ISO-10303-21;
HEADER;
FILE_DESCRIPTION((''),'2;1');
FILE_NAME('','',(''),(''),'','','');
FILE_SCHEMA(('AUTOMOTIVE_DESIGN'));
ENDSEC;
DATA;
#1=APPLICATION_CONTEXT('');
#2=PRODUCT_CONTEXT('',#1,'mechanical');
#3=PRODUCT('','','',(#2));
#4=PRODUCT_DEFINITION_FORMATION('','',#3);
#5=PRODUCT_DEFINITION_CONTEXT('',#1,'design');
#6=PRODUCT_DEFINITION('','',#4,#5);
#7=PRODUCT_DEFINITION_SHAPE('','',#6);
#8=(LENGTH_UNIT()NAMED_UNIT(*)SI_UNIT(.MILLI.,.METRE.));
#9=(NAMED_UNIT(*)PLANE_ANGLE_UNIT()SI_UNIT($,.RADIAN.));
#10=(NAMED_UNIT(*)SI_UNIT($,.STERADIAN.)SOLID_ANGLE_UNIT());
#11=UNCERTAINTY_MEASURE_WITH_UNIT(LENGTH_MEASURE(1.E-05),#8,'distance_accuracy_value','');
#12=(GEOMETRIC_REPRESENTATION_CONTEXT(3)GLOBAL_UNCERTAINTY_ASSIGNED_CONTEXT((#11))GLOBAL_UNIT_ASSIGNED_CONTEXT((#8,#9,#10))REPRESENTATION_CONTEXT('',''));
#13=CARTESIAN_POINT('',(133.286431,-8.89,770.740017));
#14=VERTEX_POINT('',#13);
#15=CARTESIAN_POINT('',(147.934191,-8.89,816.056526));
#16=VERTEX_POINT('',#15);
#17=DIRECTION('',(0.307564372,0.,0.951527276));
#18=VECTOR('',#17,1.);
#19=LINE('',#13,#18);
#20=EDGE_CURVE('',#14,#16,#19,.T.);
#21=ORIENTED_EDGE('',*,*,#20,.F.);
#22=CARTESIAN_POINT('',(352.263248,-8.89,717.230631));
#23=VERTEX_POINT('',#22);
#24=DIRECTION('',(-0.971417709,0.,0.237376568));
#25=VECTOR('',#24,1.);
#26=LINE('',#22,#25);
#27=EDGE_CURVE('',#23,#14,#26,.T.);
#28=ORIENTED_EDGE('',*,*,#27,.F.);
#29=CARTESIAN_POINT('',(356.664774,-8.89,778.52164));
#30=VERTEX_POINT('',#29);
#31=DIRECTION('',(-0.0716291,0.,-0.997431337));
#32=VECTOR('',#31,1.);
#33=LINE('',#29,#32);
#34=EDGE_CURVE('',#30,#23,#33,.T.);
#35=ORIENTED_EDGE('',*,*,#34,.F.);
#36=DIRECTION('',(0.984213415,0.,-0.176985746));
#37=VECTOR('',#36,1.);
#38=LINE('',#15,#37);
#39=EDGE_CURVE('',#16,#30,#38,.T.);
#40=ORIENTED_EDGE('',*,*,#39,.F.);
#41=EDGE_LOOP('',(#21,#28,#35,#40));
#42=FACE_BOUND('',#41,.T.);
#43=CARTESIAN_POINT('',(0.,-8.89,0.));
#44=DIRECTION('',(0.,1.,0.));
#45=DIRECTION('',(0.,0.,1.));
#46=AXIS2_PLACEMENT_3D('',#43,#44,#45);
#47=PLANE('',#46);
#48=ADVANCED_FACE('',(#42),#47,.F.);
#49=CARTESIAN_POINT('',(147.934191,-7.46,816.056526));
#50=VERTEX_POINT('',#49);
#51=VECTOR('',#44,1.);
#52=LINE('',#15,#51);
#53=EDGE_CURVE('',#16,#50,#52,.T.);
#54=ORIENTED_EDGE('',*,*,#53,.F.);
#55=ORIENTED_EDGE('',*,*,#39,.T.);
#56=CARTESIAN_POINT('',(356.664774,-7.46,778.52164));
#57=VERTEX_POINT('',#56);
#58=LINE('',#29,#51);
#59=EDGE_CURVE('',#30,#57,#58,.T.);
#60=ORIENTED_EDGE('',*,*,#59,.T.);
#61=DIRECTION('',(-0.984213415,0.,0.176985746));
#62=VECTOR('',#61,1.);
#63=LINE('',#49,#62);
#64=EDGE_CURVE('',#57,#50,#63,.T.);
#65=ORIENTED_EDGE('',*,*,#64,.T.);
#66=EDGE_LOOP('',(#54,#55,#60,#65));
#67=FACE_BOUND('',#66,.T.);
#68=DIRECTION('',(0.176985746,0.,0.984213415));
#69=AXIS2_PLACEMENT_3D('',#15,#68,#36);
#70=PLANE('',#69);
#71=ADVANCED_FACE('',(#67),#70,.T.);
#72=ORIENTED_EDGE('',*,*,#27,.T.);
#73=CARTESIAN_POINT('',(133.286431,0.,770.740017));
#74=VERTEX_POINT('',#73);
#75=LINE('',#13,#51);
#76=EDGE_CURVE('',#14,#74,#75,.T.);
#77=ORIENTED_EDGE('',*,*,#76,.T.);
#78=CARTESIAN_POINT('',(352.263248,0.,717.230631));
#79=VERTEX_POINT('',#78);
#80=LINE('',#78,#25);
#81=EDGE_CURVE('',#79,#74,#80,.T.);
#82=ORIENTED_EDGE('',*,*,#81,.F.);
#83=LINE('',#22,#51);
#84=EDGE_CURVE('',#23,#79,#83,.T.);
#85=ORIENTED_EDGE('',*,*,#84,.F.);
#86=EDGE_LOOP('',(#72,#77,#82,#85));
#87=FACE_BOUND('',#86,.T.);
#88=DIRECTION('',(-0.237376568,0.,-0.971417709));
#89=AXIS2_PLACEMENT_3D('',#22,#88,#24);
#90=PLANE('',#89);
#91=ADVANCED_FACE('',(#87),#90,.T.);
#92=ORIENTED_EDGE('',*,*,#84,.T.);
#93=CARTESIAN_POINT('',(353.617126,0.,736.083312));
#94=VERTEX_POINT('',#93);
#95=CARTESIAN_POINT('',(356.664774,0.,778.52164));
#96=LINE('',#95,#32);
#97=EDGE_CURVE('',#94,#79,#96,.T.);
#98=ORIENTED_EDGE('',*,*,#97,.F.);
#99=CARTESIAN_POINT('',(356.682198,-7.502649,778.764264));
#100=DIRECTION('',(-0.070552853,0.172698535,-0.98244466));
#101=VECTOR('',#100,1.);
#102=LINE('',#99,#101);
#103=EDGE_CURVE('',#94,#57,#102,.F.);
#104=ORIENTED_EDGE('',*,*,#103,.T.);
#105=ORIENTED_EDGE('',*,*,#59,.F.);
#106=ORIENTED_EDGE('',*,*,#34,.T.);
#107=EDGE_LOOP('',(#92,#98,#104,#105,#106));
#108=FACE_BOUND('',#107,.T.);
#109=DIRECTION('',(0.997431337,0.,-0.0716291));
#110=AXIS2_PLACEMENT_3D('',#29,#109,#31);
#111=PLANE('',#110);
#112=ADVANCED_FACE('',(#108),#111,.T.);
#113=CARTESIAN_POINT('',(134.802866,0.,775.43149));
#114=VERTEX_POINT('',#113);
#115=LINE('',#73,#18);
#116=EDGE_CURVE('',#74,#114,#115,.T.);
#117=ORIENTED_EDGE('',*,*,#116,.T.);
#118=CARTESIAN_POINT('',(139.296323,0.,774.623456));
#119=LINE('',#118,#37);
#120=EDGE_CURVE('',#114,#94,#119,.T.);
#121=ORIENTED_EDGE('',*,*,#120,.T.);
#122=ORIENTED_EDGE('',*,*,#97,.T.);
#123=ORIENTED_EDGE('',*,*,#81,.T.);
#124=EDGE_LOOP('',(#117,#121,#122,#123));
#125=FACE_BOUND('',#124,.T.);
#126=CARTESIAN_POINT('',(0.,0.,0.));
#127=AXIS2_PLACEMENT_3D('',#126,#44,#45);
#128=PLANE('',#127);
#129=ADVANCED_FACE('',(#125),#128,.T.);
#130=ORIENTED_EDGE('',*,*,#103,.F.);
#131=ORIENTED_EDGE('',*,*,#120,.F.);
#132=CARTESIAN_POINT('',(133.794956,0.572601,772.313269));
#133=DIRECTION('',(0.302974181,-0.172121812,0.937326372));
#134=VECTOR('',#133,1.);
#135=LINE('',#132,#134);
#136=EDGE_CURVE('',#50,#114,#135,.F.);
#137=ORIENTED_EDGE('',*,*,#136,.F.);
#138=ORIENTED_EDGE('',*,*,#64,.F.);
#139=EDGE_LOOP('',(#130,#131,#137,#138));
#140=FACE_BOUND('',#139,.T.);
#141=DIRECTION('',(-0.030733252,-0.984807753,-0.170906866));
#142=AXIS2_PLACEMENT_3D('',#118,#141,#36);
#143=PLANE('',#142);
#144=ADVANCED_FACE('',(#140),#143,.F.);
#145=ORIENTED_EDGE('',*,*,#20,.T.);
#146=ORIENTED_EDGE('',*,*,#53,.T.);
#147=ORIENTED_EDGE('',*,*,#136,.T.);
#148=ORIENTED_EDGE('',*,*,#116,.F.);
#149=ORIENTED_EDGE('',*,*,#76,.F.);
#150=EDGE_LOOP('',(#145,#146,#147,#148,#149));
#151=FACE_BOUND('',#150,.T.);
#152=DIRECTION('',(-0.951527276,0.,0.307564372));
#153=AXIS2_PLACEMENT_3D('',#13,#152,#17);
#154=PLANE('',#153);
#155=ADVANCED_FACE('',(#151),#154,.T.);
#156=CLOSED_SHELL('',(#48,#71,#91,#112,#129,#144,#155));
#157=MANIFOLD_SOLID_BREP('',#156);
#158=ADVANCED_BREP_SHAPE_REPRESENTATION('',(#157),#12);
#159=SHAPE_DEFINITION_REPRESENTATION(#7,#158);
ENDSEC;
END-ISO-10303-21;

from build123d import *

# Parameters (mm, degrees)
BOSS_EXTRUDE1_DEPTH = 8.89
CHAMFER1_SIZE       = 7.46
CHAMFER1_SIZE2      = 42.307762374


with BuildPart() as part:
    # Sketch2 → Boss-Extrude1 (new body)
    with BuildSketch(Plane(origin=(0, 0, 0), x_dir=(1, 0, 0), z_dir=(0, 1, 0))):
        Polygon((133.286430852, -770.74001749), (147.934191067, -816.056525657), (356.664774137, -778.521640105), (352.263248298, -717.230631168), align=None)
    extrude(amount=-BOSS_EXTRUDE1_DEPTH)

    # Chamfer1
    chamfer1_edges = [part.edges().sort_by_distance(p)[0] for p in [
        (252.299482602, 0, 797.289082881),
    ]]
    chamfer1_side = [part.faces().sort_by_distance(p)[0] for p in [
        (252.299482602, -4.445, 797.289082881),
    ]]
    chamfer(chamfer1_edges, length=CHAMFER1_SIZE, length2=CHAMFER1_SIZE2, reference=chamfer1_side[0])


solid = part.part
